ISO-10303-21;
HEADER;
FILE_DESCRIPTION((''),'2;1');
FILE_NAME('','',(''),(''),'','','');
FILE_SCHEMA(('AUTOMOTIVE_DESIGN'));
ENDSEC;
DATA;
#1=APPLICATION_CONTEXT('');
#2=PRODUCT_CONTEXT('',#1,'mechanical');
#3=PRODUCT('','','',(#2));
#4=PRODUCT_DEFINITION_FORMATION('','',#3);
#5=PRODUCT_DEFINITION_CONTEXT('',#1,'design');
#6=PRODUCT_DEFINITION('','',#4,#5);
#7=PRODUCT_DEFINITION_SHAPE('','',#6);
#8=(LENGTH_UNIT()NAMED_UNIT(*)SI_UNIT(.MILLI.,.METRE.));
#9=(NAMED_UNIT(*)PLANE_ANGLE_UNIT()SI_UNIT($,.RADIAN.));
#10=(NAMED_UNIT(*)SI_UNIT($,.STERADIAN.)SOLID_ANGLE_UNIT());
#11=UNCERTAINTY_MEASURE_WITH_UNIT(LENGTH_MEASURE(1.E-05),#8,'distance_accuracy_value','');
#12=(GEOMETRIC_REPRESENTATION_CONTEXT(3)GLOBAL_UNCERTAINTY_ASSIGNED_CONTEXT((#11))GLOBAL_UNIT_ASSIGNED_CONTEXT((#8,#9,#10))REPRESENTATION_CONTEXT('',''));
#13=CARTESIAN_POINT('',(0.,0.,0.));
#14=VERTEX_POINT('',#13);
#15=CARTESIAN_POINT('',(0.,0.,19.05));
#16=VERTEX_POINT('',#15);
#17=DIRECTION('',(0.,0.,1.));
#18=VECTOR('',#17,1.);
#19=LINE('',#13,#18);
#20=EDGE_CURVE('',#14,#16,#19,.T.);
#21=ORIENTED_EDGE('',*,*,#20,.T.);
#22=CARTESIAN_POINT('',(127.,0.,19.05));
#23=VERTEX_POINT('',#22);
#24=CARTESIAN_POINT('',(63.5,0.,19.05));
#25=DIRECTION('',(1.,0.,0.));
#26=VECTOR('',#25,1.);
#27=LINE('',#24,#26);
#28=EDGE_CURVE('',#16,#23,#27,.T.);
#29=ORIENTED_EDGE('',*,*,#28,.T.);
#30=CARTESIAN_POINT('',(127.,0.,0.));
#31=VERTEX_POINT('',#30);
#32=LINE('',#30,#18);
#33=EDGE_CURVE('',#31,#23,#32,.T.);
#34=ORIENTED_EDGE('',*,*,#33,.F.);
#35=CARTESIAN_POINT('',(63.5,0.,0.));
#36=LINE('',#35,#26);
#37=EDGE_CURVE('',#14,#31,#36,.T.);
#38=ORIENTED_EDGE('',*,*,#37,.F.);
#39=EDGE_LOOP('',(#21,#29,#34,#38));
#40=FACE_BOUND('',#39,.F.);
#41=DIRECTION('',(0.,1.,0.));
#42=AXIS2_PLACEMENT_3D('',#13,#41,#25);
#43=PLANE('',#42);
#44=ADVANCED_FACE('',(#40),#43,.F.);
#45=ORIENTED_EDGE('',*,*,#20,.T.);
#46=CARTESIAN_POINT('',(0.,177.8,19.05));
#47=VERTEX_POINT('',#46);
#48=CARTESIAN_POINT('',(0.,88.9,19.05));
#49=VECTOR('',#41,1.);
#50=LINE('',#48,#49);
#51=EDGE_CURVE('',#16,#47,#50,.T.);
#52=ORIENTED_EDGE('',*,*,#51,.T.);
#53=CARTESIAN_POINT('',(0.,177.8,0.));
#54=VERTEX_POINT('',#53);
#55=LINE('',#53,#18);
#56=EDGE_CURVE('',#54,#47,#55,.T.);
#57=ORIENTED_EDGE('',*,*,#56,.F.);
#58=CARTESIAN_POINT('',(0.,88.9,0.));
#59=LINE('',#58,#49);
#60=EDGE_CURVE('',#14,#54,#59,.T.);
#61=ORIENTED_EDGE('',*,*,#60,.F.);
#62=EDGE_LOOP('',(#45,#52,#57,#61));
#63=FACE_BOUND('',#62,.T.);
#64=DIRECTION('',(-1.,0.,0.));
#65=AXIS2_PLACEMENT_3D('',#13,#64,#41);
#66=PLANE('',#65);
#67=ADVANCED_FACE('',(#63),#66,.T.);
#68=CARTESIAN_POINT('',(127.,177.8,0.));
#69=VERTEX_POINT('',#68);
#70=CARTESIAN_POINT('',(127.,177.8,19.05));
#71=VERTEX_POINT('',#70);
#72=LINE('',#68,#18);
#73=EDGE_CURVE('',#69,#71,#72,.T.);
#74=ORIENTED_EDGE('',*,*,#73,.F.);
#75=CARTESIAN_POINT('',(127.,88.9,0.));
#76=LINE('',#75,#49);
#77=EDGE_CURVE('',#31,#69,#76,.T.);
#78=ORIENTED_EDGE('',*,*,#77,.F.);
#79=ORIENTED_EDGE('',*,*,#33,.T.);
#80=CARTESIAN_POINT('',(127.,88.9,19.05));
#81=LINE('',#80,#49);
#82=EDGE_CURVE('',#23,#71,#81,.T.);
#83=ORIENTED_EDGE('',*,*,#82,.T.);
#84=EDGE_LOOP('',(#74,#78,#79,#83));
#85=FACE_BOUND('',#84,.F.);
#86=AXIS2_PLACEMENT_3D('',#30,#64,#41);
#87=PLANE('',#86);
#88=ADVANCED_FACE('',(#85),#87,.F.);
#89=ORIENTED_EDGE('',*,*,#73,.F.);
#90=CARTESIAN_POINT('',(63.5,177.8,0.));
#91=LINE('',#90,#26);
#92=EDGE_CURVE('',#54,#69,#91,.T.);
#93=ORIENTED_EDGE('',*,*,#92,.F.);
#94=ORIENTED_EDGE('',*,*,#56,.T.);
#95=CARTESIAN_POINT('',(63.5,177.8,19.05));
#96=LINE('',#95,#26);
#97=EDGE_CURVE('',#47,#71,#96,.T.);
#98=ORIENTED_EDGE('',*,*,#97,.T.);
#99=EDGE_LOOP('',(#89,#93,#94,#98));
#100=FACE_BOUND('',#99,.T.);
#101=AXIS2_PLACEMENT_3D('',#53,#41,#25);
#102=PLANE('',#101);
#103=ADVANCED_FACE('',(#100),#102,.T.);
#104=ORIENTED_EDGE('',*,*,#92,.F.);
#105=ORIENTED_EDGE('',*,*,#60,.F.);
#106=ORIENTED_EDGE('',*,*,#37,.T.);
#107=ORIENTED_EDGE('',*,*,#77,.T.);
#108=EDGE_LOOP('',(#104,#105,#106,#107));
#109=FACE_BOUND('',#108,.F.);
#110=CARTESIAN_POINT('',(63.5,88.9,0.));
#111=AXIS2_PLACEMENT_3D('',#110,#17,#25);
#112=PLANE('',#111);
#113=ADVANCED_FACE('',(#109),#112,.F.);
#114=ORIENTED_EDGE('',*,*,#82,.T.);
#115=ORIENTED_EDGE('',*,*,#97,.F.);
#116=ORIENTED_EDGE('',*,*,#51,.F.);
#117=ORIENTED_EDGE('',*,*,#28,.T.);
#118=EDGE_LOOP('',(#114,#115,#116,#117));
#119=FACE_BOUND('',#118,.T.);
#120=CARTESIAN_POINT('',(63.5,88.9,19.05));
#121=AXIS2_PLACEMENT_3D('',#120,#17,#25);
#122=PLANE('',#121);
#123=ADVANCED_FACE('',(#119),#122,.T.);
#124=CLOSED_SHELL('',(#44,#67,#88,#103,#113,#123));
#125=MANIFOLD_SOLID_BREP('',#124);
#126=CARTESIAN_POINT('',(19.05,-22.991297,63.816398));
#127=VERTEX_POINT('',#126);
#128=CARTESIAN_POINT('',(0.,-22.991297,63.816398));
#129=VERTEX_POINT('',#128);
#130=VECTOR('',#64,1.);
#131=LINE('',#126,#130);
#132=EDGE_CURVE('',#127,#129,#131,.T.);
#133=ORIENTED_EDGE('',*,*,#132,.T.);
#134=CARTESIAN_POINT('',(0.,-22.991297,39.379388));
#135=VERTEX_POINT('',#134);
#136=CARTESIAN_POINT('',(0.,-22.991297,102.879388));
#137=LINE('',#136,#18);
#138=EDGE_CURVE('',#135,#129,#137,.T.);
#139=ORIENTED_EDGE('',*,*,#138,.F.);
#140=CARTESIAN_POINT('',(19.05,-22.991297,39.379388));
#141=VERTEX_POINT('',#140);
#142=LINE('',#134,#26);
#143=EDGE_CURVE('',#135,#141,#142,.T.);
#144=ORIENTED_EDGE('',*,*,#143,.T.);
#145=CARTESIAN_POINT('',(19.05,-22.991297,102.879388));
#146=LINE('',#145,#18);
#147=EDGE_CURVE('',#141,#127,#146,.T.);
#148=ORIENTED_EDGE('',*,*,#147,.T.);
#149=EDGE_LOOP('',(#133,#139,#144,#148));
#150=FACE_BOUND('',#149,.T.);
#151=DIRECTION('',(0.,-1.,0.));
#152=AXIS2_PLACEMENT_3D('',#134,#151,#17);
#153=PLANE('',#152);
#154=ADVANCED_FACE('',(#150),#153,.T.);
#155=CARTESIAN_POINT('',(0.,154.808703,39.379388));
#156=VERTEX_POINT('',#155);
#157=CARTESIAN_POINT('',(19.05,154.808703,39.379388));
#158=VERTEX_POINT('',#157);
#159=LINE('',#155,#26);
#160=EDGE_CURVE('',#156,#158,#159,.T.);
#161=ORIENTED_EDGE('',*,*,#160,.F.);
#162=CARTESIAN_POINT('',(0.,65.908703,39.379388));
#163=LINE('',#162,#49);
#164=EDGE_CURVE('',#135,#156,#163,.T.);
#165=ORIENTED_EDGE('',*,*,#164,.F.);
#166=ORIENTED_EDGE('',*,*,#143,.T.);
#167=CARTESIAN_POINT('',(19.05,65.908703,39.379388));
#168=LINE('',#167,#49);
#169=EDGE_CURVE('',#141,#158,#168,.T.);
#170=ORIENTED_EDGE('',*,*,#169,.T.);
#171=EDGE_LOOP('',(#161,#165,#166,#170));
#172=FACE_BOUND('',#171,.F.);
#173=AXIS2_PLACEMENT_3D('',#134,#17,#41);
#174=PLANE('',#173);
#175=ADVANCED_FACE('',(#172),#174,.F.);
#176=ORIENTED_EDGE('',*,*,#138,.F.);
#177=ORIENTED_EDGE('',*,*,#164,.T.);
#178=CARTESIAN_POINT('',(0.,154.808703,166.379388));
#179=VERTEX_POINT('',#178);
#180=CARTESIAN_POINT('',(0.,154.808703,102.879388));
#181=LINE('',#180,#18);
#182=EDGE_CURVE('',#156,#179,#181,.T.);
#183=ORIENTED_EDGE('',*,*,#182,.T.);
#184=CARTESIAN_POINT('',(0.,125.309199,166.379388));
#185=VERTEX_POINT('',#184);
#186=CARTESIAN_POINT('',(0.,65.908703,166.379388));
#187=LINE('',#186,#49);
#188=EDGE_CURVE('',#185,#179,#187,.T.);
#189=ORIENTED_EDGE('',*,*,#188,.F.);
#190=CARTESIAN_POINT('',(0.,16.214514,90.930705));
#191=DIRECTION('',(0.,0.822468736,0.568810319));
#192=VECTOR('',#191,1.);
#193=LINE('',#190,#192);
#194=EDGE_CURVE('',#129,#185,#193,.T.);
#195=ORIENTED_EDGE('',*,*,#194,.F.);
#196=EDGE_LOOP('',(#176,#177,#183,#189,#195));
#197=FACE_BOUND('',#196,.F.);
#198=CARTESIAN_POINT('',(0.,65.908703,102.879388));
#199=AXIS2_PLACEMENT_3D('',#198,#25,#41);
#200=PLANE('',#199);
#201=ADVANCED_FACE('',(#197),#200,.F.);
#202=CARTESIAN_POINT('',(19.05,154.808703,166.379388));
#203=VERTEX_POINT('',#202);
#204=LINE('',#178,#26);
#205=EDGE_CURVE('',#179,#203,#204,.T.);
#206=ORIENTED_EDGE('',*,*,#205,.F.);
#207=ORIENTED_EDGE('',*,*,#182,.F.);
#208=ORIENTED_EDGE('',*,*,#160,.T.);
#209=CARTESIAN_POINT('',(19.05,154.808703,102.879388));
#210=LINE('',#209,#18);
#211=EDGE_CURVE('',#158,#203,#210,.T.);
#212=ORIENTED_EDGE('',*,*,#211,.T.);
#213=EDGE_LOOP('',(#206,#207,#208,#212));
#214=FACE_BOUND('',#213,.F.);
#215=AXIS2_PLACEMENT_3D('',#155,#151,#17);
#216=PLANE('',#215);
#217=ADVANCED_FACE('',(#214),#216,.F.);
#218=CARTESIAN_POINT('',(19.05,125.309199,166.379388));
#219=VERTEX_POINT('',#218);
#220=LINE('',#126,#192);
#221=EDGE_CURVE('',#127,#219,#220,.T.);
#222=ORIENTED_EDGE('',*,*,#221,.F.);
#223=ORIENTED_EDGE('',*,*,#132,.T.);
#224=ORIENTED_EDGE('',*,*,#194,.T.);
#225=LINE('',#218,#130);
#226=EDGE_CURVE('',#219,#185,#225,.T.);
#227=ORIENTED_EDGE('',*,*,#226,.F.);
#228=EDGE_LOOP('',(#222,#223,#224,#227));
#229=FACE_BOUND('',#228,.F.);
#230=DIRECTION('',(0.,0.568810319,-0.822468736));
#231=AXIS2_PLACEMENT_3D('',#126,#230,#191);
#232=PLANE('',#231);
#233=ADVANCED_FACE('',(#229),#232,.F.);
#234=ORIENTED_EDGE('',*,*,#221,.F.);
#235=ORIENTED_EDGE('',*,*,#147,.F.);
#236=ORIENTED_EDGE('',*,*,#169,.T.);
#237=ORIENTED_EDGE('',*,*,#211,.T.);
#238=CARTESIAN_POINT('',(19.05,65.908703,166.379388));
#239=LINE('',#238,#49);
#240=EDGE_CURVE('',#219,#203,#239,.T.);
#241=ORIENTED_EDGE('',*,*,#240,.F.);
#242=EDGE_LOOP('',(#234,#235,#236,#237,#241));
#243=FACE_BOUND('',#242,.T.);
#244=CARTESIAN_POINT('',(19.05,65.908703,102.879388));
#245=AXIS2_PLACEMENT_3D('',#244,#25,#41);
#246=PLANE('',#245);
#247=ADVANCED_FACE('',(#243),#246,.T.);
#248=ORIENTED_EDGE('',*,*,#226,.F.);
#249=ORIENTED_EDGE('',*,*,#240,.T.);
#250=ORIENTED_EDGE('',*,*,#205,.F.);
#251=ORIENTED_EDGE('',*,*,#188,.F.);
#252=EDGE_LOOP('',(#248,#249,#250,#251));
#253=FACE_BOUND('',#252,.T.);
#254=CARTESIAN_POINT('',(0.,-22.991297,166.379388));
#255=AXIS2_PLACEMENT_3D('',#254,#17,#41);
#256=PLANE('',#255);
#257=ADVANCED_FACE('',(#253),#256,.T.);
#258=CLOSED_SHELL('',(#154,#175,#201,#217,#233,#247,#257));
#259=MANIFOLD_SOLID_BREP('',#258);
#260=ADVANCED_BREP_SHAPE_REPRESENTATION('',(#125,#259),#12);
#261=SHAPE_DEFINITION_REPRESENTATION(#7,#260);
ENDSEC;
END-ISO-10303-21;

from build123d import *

# Parameters (mm, degrees)
F0_W       = 127
F0_H       = 177.8
F1_DEPTH   = 19.05
F2_W       = 177.8
F2_H       = 127
F3_DEPTH   = 19.05
F3_FACE1_W = 177.8
F3_FACE1_H = 127
F5_DEPTH   = 25.4


with BuildPart() as f1:
    # F0 (on Top) → F1 (new body)
    with BuildSketch(Plane.XY):
        with Locations((63.5, 88.9)):
            Rectangle(F0_W, F0_H)
    extrude(amount=F1_DEPTH)


with BuildPart() as f3:
    # F2 (on Right) → F3 (new body)
    with BuildSketch(Plane.YZ):
        with Locations((65.9087030217, 102.8793881302)):
            Rectangle(F2_W, F2_H)
    extrude(amount=F3_DEPTH)

    # F4 (on face) + F3_face1 (on face) → F5 (cut)
    with BuildSketch(Plane.YZ.offset(19.05)):
        Polygon((-22.9912969783, 63.8163983822), (125.3091990948, 166.3793881302), (-22.9912969783, 166.3793881302), align=None)
    with BuildSketch(Plane(origin=(0, 65.9087030217, 102.8793881302), x_dir=(0, 1, 0), z_dir=(-1, 0, 0))):
        Rectangle(F3_FACE1_W, F3_FACE1_H)
    extrude(amount=-F5_DEPTH, dir=(1, 0, 0), mode=Mode.SUBTRACT)


solid = Compound([f1.part, f3.part])
